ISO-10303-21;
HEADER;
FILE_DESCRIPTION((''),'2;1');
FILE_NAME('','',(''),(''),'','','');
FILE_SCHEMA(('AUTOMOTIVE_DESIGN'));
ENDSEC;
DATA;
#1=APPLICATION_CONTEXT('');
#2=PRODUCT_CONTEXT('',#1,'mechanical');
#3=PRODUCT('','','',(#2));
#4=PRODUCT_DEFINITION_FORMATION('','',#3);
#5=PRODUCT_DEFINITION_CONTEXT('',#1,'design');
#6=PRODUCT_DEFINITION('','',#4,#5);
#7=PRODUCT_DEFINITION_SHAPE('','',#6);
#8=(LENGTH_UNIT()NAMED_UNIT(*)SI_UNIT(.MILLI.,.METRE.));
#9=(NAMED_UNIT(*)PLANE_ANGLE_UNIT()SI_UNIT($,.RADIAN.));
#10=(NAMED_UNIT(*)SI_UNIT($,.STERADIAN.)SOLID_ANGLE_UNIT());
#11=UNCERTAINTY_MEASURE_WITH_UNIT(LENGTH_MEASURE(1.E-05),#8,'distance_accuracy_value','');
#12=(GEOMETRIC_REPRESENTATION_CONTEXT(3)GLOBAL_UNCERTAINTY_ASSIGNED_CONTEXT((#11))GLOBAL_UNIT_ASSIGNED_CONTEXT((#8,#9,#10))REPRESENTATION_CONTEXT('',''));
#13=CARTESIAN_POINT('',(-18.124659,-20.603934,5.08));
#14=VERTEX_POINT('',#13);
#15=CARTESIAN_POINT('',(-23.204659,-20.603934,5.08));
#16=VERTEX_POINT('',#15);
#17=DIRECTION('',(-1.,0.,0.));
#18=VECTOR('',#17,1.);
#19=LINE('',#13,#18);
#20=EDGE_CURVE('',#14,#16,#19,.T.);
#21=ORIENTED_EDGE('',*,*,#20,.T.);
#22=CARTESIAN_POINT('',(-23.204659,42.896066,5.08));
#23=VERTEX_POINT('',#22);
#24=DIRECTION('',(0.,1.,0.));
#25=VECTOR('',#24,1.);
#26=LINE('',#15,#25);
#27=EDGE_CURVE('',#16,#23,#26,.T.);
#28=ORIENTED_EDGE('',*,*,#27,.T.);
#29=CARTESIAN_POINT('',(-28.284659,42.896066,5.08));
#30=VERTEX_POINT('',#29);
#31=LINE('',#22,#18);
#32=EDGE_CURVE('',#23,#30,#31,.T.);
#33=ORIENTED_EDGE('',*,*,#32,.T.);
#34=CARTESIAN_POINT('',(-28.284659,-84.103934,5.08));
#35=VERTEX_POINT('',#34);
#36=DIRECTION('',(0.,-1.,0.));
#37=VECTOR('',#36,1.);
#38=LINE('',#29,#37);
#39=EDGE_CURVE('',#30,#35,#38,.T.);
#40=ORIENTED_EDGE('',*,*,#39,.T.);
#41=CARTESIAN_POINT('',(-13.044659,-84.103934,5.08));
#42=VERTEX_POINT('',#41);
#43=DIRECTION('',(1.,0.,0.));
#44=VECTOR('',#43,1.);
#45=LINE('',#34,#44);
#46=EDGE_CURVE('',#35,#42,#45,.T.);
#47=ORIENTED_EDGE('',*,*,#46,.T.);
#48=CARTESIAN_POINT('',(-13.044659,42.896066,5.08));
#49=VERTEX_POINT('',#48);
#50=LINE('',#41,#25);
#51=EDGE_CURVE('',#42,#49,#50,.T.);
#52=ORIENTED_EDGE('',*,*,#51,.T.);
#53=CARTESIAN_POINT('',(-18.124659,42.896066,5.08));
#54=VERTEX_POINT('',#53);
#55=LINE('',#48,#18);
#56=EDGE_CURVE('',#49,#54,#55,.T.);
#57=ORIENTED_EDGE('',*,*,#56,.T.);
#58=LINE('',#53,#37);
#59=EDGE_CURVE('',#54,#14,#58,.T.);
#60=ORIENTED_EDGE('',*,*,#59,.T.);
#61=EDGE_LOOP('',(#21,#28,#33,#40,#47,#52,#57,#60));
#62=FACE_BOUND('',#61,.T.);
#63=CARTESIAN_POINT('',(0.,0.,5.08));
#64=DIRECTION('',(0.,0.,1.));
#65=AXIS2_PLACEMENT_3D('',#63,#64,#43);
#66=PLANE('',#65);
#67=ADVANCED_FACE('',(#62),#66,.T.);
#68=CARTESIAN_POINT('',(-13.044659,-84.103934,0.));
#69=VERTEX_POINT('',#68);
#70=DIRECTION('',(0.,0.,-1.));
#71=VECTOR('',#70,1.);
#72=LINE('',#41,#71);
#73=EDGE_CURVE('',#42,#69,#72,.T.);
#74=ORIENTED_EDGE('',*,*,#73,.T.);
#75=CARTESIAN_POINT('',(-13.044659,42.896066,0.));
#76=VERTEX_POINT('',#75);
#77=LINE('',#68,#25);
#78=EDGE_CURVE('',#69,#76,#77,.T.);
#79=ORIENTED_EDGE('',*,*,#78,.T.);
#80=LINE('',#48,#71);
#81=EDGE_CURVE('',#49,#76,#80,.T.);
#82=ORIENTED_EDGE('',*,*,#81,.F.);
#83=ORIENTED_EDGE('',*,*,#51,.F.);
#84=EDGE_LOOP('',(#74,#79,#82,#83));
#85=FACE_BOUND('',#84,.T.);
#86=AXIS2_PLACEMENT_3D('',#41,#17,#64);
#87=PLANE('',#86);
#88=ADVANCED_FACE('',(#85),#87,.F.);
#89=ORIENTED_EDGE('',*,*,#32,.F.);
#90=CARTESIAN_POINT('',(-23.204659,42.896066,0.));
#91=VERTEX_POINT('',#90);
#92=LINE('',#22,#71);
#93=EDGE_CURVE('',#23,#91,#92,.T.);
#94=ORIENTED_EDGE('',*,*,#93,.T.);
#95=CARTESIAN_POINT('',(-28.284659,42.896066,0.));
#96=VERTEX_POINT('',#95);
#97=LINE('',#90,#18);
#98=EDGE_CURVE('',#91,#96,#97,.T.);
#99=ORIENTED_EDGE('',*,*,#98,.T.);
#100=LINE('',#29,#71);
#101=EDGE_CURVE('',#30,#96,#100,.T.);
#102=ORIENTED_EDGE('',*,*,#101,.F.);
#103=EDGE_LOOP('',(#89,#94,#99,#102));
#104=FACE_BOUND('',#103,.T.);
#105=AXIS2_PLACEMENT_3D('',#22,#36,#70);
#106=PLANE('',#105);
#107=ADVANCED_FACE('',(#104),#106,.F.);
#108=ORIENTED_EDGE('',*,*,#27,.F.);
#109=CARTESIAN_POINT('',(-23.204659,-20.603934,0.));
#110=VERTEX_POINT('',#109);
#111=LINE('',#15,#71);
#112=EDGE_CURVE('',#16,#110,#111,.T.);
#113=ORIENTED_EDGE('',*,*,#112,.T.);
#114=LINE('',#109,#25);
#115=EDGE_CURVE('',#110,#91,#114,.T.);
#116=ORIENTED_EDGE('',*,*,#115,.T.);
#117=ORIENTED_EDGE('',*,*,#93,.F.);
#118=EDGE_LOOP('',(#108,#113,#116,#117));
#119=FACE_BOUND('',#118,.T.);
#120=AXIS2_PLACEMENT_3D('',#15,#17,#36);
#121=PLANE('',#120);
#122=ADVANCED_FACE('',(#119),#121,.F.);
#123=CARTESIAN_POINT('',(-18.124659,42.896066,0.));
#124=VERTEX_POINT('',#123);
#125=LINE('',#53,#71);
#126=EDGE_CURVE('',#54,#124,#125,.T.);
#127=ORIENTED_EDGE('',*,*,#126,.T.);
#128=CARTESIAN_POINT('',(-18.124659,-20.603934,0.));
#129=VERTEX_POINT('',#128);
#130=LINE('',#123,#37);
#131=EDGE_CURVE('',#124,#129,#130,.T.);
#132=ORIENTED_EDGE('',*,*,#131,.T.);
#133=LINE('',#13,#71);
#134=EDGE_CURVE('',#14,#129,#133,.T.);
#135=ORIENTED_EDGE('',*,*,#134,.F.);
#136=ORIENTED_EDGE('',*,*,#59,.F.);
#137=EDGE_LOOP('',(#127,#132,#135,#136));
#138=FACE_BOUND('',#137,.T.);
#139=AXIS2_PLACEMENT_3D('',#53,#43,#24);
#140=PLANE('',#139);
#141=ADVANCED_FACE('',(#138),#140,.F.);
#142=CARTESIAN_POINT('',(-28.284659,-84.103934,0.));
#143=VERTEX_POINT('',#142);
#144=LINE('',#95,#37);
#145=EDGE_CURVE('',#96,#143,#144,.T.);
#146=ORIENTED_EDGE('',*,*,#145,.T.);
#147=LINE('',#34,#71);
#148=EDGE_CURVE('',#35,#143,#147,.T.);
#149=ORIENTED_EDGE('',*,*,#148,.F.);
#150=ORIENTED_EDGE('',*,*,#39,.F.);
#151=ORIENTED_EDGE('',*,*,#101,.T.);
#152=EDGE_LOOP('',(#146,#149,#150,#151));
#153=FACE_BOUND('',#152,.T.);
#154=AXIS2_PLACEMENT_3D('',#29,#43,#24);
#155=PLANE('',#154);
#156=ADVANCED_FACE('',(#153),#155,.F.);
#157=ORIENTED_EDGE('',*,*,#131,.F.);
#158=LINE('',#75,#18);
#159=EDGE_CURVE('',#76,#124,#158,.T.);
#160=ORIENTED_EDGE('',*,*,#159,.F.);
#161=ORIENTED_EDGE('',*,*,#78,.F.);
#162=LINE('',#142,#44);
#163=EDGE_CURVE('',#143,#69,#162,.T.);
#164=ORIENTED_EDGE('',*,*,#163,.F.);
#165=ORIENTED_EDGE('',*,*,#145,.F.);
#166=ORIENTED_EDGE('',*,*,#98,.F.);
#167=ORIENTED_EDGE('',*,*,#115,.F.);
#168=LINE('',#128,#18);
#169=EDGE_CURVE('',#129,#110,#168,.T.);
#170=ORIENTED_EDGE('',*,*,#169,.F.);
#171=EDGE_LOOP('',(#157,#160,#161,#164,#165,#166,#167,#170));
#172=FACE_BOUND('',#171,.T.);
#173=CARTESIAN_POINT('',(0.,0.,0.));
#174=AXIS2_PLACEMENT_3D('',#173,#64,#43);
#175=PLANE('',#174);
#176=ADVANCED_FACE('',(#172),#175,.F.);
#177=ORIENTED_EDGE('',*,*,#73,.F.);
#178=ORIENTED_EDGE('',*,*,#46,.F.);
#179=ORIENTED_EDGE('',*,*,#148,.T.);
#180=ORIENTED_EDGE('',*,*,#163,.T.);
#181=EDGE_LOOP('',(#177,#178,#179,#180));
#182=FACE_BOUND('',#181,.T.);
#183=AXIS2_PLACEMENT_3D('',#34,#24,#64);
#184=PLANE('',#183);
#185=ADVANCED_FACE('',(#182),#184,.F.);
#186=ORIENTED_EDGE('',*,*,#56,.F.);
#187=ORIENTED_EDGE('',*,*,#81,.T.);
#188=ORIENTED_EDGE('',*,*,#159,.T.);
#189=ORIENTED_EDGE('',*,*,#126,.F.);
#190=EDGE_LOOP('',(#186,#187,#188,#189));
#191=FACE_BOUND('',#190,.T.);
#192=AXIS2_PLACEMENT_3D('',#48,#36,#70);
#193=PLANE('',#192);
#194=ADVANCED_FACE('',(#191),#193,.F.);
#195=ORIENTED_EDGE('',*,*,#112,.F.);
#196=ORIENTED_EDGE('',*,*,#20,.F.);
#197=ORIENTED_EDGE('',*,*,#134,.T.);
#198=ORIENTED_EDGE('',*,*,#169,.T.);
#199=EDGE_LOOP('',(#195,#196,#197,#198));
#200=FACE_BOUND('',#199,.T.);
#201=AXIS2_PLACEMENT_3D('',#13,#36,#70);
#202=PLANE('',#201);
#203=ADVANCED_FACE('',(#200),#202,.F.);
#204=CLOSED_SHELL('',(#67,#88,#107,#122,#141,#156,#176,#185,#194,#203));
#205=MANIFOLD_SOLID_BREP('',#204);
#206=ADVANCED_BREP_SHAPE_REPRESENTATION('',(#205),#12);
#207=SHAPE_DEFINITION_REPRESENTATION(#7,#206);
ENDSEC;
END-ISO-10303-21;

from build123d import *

# Parameters (mm, degrees)
BOSS_EXTRUDE1_DEPTH = 5.08


with BuildPart() as part:
    # Sketch1 → Boss-Extrude1 (new body)
    with BuildSketch(Plane.XY):
        Polygon((-28.284659021, 42.896065644), (-28.284659021, -84.103934356), (-13.044659021, -84.103934356), (-13.044659021, 42.896065644), (-18.124659021, 42.896065644), (-18.124659021, -20.603934356), (-23.204659021, -20.603934356), (-23.204659021, 42.896065644), align=None)
    extrude(amount=BOSS_EXTRUDE1_DEPTH)


solid = part.part
